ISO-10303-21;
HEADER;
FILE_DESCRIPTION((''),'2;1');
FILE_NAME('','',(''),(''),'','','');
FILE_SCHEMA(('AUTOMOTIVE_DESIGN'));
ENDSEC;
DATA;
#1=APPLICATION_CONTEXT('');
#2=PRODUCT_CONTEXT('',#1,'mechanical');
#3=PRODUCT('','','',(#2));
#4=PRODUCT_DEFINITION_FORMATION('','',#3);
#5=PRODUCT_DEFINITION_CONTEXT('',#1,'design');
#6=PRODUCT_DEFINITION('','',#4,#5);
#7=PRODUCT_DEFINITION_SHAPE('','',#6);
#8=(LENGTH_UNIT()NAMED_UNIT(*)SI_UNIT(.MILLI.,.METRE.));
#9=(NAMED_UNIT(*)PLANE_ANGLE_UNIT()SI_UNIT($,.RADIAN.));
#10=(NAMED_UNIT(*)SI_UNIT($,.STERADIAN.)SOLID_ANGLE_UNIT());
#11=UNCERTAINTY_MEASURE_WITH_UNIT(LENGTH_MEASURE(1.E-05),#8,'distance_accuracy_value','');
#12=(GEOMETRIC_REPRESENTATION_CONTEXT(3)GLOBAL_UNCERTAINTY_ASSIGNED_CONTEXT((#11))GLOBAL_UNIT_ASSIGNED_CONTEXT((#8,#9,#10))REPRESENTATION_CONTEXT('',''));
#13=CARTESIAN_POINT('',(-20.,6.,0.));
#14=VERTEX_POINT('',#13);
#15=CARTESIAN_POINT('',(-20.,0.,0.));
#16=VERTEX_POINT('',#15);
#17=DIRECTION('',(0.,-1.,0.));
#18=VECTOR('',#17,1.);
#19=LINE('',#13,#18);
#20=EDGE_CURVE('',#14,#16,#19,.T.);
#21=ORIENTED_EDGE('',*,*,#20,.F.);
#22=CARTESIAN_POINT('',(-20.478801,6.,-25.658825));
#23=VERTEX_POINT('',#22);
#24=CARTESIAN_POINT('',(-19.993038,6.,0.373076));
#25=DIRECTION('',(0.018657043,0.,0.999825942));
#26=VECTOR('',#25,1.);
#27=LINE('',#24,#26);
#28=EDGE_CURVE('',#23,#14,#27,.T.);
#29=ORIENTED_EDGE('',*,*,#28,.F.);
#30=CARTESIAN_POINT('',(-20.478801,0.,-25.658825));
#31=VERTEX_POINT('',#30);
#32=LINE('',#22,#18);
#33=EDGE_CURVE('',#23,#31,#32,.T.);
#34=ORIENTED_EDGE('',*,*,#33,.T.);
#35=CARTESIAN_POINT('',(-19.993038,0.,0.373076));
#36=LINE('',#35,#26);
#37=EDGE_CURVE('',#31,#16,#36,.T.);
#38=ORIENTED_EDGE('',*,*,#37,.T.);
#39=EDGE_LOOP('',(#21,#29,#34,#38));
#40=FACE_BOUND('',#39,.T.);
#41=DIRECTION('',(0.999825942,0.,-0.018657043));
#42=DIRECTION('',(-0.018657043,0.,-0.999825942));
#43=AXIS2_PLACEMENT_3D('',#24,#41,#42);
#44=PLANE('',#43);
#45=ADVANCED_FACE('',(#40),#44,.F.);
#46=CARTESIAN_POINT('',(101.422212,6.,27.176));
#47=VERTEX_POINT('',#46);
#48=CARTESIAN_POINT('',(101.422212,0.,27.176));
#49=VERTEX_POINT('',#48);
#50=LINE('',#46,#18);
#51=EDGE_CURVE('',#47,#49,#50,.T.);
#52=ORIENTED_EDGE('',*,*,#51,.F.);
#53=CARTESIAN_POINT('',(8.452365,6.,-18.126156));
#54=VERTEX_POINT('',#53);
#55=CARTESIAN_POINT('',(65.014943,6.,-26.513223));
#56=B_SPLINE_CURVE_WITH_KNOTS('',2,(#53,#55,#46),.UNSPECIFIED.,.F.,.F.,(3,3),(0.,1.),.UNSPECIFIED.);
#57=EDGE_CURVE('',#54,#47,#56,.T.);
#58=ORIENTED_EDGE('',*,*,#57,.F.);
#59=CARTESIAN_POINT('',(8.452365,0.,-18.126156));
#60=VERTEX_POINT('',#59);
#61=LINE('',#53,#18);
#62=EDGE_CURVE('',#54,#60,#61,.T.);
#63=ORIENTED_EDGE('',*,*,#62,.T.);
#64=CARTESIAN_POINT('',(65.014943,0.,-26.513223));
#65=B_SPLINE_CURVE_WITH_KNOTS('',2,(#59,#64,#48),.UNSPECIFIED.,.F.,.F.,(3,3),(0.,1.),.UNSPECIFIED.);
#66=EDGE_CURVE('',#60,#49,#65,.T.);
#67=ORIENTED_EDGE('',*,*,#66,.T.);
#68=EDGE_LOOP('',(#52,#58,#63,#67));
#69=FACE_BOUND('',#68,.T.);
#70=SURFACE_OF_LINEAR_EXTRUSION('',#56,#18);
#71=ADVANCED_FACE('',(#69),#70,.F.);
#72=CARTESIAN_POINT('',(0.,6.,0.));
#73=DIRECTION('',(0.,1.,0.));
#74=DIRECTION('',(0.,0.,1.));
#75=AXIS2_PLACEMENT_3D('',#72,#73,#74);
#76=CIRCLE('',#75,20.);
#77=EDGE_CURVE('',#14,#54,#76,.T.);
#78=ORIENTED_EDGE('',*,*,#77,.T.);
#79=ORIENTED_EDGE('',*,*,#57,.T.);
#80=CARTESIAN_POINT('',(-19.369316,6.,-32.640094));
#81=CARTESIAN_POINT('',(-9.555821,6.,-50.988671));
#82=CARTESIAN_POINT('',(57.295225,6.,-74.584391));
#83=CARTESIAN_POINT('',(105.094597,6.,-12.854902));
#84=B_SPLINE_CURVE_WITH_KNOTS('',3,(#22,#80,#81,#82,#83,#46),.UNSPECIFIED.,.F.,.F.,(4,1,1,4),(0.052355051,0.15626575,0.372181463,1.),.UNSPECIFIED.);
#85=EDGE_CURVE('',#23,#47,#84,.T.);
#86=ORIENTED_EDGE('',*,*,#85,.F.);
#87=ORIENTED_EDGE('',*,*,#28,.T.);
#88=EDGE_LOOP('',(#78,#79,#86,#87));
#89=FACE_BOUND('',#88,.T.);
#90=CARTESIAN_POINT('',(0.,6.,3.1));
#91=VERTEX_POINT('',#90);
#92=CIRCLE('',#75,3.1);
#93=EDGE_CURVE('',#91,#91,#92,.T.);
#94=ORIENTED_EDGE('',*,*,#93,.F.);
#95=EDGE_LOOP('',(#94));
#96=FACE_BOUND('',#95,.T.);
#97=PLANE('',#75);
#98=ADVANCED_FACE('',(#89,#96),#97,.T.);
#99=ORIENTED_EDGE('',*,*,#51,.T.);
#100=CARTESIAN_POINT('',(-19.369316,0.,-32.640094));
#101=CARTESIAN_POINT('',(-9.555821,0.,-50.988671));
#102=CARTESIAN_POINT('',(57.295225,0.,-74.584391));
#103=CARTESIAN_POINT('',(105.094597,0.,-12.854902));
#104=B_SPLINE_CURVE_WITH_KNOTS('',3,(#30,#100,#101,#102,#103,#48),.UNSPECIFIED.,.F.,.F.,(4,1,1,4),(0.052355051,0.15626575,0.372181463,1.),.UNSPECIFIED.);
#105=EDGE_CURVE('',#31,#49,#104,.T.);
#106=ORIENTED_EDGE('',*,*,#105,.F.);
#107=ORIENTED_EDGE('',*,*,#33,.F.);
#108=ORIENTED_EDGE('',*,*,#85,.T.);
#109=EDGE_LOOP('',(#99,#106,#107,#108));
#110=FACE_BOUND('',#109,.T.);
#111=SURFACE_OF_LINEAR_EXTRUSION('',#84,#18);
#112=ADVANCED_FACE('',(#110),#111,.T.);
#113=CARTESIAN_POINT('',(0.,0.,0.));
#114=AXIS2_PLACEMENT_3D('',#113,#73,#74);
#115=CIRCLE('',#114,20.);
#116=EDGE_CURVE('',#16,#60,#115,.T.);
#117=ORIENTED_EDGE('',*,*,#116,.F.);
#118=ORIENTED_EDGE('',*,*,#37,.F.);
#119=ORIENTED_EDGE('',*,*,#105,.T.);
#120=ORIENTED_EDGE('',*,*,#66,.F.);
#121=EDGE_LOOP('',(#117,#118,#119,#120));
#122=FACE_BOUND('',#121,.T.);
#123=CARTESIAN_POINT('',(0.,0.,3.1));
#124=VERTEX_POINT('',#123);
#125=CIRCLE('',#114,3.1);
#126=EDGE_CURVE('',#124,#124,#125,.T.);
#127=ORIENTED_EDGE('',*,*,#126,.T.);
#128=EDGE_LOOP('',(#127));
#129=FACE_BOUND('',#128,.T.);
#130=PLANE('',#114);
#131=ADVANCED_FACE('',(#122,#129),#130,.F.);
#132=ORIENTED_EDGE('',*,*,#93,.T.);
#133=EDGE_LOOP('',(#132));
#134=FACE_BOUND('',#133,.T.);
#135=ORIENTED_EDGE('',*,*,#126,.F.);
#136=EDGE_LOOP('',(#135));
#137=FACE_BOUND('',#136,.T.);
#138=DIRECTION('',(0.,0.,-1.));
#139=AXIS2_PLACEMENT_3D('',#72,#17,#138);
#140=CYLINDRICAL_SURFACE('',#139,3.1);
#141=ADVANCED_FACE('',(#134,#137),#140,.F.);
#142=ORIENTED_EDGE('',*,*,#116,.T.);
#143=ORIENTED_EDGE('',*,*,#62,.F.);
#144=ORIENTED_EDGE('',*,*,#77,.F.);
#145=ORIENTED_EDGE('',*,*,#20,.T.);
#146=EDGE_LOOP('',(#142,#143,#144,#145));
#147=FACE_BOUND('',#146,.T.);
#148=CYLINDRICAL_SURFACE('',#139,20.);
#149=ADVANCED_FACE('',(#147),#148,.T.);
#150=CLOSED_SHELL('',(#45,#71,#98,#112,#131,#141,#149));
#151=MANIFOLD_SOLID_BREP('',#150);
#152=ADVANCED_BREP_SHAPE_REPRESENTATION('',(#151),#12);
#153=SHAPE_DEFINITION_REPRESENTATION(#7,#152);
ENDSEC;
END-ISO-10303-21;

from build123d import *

# Parameters (mm, degrees)
SKETCH1_R           = 3.1
BOSS_EXTRUDE1_DEPTH = 6


with BuildPart() as part:
    # Sketch1 → Boss-Extrude1 (new body)
    with BuildSketch(Plane(origin=(0, 0, 0), x_dir=(1, 0, 0), z_dir=(0, 1, 0))):
        with BuildLine():
            ThreePointArc((-20, 0), (10.745992167, -16.867828916), (8.452365235, 18.126155741))
            add(Edge.make_bspline(
                [(8.452365235, 18.126155741), (65.014942837, 26.513222836), (101.42221176, -27.175999736)],
                knots=[0, 0, 0, 1, 1, 1], degree=2))
            add(Edge.make_bspline(
                [(-20.478801126, 25.658824893), (-19.369315981, 32.640094211), (-9.555820546, 50.988671143), (57.295225174, 74.584391164), (105.094597494, 12.854902244), (101.42221176, -27.175999736)],
                knots=[0.052355051, 0.052355051, 0.052355051, 0.052355051, 0.15626575, 0.372181463, 1, 1, 1, 1], degree=3))
            Line((-20.478801126, 25.658824893), (-20, 0))
        make_face()
        with Locations(Location((0, 0, 0), (0, 0, 270))):
            Circle(SKETCH1_R, mode=Mode.SUBTRACT)
    extrude(amount=BOSS_EXTRUDE1_DEPTH)


solid = part.part
